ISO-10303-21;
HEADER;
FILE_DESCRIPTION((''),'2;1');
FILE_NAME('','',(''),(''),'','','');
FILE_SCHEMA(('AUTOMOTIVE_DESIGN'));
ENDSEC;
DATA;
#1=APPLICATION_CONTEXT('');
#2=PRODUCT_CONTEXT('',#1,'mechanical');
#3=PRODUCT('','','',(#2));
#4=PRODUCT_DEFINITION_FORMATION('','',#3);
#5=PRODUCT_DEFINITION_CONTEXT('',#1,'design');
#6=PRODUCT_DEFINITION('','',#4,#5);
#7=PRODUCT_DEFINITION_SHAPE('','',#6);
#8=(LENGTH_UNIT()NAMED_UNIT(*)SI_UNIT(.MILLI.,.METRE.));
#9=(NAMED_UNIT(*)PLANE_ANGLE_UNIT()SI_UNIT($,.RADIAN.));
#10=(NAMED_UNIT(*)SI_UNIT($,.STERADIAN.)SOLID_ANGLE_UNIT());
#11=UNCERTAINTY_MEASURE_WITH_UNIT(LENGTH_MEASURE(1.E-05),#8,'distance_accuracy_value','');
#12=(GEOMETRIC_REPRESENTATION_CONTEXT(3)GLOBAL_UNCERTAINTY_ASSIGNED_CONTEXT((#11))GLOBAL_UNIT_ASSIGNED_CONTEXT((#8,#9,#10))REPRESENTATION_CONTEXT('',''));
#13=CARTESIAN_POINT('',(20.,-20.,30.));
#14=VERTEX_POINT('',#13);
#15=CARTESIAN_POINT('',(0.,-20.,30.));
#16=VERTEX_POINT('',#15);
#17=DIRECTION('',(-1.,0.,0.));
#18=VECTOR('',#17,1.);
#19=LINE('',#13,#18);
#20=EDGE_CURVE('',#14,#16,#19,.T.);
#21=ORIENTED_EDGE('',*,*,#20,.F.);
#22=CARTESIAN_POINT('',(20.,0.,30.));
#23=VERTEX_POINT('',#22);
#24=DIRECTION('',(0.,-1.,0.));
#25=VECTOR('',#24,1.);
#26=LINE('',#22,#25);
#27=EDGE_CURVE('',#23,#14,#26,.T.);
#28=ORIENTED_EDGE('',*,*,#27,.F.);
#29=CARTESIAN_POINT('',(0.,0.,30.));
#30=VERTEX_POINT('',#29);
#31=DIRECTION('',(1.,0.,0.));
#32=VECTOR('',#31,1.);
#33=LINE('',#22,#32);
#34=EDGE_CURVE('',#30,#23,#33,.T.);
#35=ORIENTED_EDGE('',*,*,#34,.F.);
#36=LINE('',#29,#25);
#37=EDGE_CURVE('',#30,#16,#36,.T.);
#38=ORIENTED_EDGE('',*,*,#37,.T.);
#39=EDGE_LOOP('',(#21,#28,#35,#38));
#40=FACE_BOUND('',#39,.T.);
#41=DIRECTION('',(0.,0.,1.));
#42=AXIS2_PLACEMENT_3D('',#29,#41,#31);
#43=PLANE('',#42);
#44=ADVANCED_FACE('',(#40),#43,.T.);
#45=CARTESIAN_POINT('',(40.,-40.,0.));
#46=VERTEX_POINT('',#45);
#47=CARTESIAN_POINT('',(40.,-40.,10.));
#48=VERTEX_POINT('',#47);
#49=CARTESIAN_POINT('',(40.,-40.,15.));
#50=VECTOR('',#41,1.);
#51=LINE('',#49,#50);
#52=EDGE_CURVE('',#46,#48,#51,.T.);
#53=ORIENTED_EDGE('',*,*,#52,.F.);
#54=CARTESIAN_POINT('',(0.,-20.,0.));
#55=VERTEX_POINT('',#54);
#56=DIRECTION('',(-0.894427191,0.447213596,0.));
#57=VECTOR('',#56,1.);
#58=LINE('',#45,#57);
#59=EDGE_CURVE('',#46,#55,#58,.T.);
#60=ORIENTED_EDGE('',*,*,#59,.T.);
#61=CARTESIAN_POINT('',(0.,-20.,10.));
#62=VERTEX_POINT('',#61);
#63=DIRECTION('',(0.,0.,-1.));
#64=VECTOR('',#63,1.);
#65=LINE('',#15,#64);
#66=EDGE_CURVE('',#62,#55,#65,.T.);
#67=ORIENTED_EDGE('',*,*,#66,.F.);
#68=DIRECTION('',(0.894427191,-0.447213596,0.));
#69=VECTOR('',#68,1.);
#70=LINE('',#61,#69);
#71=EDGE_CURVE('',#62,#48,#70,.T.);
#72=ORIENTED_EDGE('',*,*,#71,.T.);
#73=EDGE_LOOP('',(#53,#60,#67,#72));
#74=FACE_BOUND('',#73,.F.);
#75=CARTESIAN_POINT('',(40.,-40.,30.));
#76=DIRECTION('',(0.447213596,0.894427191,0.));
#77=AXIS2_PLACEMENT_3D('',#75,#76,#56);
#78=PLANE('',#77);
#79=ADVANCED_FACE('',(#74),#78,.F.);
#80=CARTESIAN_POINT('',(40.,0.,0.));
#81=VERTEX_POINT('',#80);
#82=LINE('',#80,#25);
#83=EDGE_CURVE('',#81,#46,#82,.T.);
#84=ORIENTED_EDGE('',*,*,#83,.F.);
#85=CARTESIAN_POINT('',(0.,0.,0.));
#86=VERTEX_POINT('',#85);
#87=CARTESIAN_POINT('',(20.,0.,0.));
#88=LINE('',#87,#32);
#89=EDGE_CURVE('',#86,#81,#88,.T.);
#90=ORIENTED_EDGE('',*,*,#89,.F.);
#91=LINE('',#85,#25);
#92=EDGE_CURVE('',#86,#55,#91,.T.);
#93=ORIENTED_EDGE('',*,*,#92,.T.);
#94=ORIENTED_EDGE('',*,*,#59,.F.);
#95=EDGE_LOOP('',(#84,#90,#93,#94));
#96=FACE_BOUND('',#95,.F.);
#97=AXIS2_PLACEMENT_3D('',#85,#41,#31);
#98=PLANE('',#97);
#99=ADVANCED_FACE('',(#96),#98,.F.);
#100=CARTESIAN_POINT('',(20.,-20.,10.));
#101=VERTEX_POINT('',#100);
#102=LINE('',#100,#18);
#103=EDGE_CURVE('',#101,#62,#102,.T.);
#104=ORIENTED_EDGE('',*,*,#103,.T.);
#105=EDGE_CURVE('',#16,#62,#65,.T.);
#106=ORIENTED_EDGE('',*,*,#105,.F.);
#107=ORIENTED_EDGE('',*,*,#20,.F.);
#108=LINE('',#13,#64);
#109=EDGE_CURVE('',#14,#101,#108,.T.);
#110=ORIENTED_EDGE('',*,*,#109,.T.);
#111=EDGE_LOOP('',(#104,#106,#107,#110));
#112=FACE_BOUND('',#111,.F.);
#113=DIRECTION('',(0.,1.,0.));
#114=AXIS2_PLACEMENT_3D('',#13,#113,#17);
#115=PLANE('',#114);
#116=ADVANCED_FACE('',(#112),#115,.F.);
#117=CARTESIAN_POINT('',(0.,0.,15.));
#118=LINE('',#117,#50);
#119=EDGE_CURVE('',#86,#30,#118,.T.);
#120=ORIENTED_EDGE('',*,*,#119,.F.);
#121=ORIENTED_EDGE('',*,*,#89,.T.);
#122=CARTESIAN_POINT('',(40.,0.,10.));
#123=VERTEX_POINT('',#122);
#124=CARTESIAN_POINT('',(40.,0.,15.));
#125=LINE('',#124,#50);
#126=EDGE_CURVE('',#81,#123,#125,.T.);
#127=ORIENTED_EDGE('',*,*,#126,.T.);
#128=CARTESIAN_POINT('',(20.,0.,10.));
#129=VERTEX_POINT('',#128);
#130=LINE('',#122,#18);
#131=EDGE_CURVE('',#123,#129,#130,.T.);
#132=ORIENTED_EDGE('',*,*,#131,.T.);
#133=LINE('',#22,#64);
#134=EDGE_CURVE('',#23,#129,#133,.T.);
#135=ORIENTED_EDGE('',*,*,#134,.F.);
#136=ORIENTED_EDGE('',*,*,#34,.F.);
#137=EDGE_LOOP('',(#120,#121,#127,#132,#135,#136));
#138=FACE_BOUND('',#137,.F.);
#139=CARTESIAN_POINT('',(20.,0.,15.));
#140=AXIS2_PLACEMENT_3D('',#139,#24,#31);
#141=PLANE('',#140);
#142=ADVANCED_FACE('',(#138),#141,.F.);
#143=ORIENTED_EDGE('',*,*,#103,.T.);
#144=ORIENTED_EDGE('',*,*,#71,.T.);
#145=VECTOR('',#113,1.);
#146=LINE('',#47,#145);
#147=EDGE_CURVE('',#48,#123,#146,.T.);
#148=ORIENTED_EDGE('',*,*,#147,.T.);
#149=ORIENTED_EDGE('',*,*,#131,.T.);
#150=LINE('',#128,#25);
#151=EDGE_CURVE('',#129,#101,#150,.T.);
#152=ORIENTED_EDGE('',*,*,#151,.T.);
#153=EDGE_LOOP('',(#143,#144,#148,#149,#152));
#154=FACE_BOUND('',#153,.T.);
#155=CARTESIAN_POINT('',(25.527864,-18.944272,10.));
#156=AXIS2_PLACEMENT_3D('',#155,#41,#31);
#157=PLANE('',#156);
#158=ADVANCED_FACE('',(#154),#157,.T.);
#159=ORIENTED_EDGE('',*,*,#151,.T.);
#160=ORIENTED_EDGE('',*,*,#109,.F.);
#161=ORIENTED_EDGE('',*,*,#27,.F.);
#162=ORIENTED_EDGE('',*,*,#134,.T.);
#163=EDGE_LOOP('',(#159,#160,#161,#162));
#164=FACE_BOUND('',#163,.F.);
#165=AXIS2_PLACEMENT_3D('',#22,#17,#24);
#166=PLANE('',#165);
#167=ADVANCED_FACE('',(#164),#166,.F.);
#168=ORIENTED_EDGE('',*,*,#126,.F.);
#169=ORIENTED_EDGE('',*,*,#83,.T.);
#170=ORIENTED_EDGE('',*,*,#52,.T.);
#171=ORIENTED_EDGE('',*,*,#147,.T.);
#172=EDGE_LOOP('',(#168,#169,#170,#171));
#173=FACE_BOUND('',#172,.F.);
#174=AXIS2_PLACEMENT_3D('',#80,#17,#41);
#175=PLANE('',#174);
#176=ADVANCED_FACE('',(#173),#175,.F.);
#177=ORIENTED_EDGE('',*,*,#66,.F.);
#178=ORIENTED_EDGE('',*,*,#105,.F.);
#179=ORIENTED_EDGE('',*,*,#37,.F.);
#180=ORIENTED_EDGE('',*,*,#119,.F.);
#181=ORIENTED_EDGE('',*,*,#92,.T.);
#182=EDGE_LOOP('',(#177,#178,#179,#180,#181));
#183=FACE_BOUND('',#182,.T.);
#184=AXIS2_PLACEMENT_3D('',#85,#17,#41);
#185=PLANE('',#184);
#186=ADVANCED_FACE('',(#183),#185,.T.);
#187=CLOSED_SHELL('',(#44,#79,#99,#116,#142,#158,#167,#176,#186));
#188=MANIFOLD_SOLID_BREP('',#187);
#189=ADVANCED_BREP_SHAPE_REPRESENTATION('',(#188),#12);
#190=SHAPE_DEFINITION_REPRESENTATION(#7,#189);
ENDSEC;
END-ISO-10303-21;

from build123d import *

# Parameters (mm, degrees)
F0_W     = 40
F0_H     = 30
F1_DEPTH = 40
F3_DEPTH = 30
F5_DEPTH = 20


with BuildPart() as f1:
    # F0 (on Front) → F1 (new body)
    with BuildSketch(Plane.XZ):
        with Locations((20, 15)):
            Rectangle(F0_W, F0_H)
    extrude(amount=F1_DEPTH)

    # F2 (on face) → F3 (cut)
    with BuildSketch(Plane.XY.offset(30)):
        Polygon((0, -40), (40, -40), (0, -20), align=None)
    extrude(amount=-F3_DEPTH, mode=Mode.SUBTRACT)

    # F4 (on face) → F5 (cut)
    with BuildSketch(Plane.XY.offset(30)):
        Polygon((40, 0), (20, 0), (20, -20), (0, -20), (40, -40), align=None)
    extrude(amount=-F5_DEPTH, mode=Mode.SUBTRACT)


solid = f1.part
